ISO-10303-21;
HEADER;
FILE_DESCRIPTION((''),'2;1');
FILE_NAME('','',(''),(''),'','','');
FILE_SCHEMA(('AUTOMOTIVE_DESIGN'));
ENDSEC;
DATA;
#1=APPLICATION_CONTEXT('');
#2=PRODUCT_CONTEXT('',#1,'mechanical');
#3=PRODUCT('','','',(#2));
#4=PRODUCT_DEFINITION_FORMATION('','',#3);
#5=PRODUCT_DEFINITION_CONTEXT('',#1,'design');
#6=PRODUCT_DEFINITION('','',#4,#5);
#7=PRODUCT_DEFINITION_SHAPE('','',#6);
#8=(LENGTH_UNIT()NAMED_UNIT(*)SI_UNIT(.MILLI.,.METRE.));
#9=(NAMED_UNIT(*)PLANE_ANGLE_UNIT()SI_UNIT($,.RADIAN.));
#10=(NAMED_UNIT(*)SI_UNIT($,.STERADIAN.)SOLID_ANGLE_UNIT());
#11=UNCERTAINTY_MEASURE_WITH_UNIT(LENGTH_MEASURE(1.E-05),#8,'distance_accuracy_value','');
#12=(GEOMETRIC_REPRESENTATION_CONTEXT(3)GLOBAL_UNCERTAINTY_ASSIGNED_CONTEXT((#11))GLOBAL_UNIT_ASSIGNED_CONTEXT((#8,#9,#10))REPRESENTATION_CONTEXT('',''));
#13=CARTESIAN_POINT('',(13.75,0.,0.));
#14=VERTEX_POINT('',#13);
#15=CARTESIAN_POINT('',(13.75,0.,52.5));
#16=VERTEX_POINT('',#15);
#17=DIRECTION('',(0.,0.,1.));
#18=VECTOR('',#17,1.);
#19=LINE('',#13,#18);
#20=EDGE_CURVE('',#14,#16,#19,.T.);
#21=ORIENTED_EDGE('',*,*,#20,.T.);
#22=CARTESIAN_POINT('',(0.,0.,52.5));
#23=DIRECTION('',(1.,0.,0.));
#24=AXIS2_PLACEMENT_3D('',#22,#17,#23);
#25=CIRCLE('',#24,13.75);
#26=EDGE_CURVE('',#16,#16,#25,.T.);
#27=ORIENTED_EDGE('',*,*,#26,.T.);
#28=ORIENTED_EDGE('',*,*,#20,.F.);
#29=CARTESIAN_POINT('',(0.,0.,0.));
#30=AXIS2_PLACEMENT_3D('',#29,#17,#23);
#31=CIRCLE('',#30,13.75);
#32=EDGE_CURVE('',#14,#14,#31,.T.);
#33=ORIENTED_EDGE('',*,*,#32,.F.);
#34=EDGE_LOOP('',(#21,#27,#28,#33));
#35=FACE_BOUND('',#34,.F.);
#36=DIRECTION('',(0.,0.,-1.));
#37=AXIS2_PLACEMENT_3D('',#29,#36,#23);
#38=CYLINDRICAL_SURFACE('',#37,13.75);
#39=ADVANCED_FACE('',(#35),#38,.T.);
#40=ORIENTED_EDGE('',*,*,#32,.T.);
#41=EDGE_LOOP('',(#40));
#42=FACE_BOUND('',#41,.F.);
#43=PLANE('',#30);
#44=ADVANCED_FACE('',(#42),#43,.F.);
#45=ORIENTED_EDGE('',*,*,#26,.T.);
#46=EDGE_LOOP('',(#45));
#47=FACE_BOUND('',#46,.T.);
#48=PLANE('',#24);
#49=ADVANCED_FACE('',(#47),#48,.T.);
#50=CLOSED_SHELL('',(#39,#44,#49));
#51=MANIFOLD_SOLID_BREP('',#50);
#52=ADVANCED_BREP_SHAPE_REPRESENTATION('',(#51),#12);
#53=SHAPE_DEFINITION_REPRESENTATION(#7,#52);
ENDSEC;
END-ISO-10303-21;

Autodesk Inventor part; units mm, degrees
ref_plane "YZ Plane" through (0, 0, 0) normal (1, 0, 0) x (0, 1, 0)
ref_plane "XZ Plane" through (0, 0, 0) normal (0, 1, 0) x (-1, 0, 0)
ref_plane "XY Plane" through (0, 0, 0) normal (0, 0, 1) x (1, 0, 0)
sketch "Sketch1" plane through (0, 0, 0) normal (0, 0, 1) x (1, 0, 0)
  circle A0 centre (0, 0) radius 13.75
  dimension "d0" = 27.5
extrude "Extrusion1" add sketch "Sketch1" along normal blind 52.5
properties part number "8012_560nF_Tx_Capacitor_v1" material "Acetal Resin, White"
